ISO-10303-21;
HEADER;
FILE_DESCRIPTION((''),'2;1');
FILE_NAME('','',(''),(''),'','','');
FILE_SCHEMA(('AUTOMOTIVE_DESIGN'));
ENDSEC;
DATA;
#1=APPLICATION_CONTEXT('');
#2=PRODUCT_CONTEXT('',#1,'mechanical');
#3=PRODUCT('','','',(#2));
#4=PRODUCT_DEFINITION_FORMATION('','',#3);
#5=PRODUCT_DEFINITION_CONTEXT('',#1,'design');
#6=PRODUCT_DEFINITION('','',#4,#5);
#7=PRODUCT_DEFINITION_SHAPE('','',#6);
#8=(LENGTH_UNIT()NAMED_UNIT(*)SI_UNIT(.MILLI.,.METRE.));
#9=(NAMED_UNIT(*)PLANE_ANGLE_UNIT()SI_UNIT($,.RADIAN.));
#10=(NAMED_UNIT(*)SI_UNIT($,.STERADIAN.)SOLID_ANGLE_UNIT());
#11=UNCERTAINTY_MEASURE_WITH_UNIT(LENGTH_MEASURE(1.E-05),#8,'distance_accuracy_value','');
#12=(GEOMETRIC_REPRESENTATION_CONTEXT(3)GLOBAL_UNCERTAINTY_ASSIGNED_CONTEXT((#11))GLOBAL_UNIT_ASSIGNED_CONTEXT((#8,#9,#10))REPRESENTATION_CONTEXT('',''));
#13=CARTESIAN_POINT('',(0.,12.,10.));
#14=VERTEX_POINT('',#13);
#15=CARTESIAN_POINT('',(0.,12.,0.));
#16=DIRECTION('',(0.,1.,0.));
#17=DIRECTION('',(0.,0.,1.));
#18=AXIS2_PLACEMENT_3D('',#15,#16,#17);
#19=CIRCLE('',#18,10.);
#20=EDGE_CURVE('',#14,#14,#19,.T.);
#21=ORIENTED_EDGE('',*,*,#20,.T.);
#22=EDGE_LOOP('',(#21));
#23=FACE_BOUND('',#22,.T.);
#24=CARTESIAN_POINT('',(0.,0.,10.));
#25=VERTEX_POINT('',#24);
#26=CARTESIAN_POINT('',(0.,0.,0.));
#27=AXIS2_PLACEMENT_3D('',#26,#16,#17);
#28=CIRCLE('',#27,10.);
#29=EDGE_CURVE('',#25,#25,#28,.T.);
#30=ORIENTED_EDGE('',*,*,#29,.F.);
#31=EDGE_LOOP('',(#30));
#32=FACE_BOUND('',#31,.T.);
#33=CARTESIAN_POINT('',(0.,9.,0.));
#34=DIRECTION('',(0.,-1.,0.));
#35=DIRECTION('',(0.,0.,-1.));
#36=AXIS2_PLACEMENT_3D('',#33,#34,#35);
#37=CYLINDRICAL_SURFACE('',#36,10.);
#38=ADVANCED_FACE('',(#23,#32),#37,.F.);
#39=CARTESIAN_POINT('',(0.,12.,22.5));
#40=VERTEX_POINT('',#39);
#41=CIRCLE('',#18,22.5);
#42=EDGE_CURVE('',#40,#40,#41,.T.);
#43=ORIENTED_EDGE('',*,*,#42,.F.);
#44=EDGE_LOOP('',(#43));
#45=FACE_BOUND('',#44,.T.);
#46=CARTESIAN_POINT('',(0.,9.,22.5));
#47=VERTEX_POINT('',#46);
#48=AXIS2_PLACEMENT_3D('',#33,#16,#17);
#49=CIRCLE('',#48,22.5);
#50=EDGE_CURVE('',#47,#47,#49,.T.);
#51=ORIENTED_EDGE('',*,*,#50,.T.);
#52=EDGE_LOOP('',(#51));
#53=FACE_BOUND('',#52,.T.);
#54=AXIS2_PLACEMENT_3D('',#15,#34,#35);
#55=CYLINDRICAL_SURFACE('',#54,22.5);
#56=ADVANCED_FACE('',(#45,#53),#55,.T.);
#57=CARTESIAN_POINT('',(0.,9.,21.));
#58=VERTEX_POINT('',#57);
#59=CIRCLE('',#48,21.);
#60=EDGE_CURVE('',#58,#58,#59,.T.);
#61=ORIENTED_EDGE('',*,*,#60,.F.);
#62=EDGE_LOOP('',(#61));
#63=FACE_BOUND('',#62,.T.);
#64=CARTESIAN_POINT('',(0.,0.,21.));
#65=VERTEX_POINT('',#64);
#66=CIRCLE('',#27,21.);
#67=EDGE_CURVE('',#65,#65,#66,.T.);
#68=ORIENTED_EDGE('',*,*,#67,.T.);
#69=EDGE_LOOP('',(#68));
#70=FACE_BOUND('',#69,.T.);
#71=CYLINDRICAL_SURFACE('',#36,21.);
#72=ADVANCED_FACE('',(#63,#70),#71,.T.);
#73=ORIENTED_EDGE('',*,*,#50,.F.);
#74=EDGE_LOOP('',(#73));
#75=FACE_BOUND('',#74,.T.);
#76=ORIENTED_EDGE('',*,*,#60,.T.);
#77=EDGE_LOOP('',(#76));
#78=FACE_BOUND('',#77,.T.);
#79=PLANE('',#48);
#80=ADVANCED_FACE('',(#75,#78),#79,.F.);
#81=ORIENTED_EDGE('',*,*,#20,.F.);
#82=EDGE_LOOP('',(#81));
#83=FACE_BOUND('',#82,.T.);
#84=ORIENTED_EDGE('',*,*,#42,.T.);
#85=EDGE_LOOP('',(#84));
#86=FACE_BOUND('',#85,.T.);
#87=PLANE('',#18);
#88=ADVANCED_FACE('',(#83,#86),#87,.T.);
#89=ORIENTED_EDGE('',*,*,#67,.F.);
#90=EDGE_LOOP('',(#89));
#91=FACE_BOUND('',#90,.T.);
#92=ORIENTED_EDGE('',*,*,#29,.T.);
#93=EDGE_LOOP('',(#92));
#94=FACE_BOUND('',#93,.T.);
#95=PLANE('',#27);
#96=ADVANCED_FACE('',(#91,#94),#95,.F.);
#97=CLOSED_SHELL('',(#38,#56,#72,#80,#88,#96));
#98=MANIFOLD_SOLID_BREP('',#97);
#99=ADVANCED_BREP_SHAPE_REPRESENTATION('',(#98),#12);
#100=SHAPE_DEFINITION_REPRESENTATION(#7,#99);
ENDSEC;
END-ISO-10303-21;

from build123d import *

# Parameters (mm, degrees)
SKETCH1_R           = 21
SKETCH1_R_2         = 10
BOSS_EXTRUDE1_DEPTH = 9
SKETCH2_R           = 22.5
SKETCH2_R_2         = 10
BOSS_EXTRUDE2_DEPTH = 3


with BuildPart() as part:
    # Sketch1 → Boss-Extrude1 (new body)
    with BuildSketch(Plane(origin=(0, 0, 0), x_dir=(1, 0, 0), z_dir=(0, 1, 0))):
        with Locations(Location((0, 0, 0), (0, 0, 270))):
            Circle(SKETCH1_R)
        with Locations(Location((0, 0, 0), (0, 0, 270))):
            Circle(SKETCH1_R_2, mode=Mode.SUBTRACT)
    extrude(amount=BOSS_EXTRUDE1_DEPTH)

    # Sketch2 → Boss-Extrude2 (add)
    with BuildSketch(Plane(origin=(0, 9, 0), x_dir=(1, 0, 0), z_dir=(0, 1, 0))):
        with Locations(Location((0, 0, 0), (0, 0, 270))):
            Circle(SKETCH2_R)
        with Locations(Location((0, 0, 0), (0, 0, 270))):
            Circle(SKETCH2_R_2, mode=Mode.SUBTRACT)
    extrude(amount=BOSS_EXTRUDE2_DEPTH)


solid = part.part
